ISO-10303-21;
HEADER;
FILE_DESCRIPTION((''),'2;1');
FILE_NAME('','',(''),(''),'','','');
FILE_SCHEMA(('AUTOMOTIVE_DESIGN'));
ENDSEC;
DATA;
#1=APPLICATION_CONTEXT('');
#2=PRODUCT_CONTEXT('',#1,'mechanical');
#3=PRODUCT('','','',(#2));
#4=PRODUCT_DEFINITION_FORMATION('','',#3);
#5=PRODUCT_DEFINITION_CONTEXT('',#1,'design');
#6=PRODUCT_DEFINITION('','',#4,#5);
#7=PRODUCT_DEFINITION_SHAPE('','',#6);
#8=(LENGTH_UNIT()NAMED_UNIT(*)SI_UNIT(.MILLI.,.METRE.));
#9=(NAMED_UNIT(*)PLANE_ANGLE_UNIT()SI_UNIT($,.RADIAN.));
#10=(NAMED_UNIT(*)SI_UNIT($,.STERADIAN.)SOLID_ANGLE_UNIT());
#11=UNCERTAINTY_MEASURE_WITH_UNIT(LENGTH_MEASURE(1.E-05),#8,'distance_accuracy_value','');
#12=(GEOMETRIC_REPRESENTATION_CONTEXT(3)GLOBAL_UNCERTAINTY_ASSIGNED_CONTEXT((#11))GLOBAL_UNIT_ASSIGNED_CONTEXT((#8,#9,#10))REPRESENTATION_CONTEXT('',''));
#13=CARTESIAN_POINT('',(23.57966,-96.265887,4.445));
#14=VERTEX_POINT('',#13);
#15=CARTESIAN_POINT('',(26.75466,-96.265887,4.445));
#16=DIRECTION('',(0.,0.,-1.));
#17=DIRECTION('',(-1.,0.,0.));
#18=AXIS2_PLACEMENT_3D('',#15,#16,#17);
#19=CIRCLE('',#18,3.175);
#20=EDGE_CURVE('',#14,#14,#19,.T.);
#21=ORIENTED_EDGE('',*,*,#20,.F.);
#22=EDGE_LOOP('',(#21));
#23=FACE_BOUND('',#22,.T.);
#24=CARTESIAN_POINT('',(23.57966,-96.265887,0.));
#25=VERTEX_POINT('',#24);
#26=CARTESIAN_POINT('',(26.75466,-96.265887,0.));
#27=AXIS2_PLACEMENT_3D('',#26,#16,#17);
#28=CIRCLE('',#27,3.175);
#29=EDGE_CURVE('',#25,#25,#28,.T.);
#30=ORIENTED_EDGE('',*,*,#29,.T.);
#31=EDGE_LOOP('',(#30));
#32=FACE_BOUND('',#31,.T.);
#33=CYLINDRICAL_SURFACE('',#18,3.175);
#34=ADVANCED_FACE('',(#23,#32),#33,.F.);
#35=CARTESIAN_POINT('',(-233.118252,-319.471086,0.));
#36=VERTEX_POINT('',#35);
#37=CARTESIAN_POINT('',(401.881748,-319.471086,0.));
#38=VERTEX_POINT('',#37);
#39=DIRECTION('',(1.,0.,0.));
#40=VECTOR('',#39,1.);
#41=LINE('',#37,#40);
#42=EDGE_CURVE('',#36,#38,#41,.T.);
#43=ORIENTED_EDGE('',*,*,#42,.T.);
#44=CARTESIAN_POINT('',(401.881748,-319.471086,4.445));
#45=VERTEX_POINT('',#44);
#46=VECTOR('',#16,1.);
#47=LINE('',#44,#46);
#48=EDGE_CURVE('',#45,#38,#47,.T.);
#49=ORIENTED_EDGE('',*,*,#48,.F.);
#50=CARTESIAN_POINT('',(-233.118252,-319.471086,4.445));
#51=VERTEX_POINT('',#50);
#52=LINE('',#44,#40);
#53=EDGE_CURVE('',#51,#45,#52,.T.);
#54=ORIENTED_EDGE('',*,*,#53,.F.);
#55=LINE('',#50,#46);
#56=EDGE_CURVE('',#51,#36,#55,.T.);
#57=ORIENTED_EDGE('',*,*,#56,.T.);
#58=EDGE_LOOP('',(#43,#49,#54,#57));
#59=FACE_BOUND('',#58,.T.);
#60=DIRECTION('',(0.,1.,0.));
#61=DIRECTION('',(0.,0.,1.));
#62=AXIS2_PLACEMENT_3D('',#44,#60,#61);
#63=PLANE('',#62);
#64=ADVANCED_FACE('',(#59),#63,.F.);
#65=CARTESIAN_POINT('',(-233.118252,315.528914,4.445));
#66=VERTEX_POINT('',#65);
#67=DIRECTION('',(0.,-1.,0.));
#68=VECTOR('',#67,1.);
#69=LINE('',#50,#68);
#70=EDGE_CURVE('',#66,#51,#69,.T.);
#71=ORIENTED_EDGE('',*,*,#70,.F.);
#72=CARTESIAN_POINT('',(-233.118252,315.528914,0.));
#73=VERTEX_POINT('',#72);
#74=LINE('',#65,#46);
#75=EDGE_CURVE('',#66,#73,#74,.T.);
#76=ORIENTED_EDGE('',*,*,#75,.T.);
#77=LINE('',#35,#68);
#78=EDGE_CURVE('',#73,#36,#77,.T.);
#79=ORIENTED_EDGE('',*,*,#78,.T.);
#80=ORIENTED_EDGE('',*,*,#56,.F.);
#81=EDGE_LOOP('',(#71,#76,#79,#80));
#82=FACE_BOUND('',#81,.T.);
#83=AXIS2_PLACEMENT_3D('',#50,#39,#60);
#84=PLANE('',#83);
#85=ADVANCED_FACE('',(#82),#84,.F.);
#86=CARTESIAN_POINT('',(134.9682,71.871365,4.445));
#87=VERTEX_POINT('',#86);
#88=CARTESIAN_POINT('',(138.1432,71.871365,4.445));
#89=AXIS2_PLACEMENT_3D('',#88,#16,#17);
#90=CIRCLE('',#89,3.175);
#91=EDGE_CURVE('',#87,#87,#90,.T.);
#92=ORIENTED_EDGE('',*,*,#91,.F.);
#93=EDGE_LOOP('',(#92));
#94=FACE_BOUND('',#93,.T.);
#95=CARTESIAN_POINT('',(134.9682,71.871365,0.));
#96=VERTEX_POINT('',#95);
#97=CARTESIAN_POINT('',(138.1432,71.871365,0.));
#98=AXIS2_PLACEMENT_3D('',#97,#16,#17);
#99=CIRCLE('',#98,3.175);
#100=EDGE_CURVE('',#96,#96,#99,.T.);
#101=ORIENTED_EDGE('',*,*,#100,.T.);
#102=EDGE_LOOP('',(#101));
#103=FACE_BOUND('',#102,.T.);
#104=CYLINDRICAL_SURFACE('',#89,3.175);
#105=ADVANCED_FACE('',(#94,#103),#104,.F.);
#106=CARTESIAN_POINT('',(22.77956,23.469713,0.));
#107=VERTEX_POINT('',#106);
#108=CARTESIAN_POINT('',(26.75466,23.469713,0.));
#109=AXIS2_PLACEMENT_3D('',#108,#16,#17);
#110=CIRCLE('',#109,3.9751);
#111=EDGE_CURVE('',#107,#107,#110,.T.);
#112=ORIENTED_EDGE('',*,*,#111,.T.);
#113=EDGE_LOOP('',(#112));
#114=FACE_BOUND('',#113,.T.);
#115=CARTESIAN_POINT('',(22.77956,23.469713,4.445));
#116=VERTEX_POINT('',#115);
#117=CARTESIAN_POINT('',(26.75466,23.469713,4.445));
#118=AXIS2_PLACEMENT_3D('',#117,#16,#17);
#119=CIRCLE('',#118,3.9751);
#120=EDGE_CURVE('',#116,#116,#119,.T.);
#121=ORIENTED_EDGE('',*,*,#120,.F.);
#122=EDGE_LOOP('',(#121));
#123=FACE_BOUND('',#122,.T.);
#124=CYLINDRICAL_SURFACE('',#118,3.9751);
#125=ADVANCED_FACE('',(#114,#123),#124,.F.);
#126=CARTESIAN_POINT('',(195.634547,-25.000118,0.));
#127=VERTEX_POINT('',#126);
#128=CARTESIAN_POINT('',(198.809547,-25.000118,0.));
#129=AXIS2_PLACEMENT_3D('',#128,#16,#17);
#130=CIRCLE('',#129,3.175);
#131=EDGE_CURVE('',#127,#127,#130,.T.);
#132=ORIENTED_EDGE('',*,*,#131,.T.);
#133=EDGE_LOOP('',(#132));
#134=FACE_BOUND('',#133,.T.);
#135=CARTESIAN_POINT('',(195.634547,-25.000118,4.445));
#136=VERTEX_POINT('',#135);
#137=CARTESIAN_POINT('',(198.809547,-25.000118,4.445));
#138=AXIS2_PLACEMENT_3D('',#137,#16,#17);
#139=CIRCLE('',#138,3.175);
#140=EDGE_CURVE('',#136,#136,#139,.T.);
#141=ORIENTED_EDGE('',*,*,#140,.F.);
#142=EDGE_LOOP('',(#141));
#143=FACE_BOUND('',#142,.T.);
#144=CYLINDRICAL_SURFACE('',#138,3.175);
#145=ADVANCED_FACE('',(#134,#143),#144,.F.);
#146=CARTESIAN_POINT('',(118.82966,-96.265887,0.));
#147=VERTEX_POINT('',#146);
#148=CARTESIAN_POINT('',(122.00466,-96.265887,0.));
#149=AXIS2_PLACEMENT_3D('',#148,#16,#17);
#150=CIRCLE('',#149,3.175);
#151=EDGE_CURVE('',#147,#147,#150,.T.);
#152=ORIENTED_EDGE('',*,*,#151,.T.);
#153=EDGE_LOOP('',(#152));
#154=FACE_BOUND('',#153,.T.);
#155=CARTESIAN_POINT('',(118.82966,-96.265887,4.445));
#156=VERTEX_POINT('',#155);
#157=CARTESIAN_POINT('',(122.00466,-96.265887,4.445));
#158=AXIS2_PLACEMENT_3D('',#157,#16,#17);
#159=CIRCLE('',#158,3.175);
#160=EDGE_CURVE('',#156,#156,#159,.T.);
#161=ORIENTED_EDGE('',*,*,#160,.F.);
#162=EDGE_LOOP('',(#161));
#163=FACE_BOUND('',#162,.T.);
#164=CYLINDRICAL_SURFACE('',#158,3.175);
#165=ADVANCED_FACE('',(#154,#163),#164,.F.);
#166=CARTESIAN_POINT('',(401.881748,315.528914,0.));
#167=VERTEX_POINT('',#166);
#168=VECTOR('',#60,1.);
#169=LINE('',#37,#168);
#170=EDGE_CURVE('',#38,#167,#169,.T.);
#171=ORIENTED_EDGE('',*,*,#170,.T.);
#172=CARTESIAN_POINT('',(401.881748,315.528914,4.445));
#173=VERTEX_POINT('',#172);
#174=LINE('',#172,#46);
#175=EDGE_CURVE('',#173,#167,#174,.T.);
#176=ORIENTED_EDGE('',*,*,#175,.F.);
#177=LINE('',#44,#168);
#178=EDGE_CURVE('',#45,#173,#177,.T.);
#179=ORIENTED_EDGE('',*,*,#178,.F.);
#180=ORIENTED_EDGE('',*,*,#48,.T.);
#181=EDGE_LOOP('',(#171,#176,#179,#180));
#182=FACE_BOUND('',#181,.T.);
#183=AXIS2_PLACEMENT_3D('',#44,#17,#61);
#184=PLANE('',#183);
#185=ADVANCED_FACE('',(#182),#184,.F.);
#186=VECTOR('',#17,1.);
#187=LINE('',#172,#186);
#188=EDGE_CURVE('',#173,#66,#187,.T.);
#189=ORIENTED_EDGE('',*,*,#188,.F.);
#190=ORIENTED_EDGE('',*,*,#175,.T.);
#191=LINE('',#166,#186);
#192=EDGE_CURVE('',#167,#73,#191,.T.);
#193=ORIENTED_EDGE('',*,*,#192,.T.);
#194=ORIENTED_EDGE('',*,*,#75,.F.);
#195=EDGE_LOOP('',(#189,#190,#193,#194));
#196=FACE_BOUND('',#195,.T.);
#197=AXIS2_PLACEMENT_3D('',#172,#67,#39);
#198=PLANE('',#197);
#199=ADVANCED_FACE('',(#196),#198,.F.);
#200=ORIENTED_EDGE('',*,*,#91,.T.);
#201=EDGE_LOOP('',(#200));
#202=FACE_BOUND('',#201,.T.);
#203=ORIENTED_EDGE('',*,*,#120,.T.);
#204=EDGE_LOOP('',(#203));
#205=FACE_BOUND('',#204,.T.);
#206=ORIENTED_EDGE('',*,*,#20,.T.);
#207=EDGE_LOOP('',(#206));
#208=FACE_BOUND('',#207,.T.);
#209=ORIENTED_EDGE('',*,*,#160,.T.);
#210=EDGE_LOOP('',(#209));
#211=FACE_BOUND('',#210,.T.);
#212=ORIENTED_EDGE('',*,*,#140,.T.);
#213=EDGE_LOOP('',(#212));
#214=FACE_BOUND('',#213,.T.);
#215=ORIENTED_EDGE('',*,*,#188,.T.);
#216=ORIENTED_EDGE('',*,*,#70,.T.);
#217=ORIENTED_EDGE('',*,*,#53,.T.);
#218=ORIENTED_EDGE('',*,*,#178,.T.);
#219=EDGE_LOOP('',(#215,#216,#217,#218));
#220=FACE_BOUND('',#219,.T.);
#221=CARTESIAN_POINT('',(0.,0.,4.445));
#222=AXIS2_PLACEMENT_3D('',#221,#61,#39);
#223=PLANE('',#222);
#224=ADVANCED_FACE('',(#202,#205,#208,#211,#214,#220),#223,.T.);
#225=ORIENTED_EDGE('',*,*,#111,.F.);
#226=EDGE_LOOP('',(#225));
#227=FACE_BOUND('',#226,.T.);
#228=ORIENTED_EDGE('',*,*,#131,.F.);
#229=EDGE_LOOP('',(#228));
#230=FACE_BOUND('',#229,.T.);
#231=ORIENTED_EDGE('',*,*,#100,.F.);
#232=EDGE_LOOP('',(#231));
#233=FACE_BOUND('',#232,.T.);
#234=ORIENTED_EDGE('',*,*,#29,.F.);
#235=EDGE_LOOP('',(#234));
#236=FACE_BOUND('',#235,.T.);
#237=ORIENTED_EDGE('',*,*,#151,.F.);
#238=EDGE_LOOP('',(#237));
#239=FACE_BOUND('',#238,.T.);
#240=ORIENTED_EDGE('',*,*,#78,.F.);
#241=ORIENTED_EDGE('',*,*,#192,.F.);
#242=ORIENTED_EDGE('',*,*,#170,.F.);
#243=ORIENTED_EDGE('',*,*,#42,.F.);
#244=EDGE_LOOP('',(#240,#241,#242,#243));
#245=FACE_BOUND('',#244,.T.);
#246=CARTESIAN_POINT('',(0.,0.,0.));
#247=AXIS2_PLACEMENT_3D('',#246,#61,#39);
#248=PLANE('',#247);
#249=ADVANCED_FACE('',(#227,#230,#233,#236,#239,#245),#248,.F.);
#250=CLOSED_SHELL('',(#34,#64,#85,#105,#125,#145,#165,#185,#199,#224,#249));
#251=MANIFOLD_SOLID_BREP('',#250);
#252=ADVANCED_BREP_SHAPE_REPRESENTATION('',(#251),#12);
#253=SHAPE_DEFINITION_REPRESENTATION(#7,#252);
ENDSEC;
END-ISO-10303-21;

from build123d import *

# Parameters (mm, degrees)
SKETCH2_W           = 635
SKETCH2_H           = 635
BOSS_EXTRUDE3_DEPTH = 4.445
SKETCH3_R           = 3.175
SKETCH3_R_2         = 3.9751
CUT_EXTRUDE1_DEPTH  = 514.410627343


with BuildPart() as part:
    # Sketch2 → Boss-Extrude3 (new body)
    with BuildSketch(Plane.XY):
        with Locations((84.381748098, -1.971086)):
            Rectangle(SKETCH2_W, SKETCH2_H)
    extrude(amount=BOSS_EXTRUDE3_DEPTH)

    # Sketch3 → Cut-Extrude1 (cut, through all)
    with BuildSketch(Plane(origin=(0, 0, 0), x_dir=(-1, 0, 0), z_dir=(0, 0, -1))):
        with Locations((-138.143199548, 71.871365193)):
            Circle(SKETCH3_R)
        with Locations((-198.809547248, -25.000118004)):
            Circle(SKETCH3_R)
        with Locations((-122.004659563, -96.265887155)):
            Circle(SKETCH3_R)
        with Locations((-26.754659563, -96.265887155)):
            Circle(SKETCH3_R)
        with Locations((-26.754659563, 23.469712845)):
            Circle(SKETCH3_R_2)
    extrude(amount=-CUT_EXTRUDE1_DEPTH, mode=Mode.SUBTRACT)


solid = part.part
